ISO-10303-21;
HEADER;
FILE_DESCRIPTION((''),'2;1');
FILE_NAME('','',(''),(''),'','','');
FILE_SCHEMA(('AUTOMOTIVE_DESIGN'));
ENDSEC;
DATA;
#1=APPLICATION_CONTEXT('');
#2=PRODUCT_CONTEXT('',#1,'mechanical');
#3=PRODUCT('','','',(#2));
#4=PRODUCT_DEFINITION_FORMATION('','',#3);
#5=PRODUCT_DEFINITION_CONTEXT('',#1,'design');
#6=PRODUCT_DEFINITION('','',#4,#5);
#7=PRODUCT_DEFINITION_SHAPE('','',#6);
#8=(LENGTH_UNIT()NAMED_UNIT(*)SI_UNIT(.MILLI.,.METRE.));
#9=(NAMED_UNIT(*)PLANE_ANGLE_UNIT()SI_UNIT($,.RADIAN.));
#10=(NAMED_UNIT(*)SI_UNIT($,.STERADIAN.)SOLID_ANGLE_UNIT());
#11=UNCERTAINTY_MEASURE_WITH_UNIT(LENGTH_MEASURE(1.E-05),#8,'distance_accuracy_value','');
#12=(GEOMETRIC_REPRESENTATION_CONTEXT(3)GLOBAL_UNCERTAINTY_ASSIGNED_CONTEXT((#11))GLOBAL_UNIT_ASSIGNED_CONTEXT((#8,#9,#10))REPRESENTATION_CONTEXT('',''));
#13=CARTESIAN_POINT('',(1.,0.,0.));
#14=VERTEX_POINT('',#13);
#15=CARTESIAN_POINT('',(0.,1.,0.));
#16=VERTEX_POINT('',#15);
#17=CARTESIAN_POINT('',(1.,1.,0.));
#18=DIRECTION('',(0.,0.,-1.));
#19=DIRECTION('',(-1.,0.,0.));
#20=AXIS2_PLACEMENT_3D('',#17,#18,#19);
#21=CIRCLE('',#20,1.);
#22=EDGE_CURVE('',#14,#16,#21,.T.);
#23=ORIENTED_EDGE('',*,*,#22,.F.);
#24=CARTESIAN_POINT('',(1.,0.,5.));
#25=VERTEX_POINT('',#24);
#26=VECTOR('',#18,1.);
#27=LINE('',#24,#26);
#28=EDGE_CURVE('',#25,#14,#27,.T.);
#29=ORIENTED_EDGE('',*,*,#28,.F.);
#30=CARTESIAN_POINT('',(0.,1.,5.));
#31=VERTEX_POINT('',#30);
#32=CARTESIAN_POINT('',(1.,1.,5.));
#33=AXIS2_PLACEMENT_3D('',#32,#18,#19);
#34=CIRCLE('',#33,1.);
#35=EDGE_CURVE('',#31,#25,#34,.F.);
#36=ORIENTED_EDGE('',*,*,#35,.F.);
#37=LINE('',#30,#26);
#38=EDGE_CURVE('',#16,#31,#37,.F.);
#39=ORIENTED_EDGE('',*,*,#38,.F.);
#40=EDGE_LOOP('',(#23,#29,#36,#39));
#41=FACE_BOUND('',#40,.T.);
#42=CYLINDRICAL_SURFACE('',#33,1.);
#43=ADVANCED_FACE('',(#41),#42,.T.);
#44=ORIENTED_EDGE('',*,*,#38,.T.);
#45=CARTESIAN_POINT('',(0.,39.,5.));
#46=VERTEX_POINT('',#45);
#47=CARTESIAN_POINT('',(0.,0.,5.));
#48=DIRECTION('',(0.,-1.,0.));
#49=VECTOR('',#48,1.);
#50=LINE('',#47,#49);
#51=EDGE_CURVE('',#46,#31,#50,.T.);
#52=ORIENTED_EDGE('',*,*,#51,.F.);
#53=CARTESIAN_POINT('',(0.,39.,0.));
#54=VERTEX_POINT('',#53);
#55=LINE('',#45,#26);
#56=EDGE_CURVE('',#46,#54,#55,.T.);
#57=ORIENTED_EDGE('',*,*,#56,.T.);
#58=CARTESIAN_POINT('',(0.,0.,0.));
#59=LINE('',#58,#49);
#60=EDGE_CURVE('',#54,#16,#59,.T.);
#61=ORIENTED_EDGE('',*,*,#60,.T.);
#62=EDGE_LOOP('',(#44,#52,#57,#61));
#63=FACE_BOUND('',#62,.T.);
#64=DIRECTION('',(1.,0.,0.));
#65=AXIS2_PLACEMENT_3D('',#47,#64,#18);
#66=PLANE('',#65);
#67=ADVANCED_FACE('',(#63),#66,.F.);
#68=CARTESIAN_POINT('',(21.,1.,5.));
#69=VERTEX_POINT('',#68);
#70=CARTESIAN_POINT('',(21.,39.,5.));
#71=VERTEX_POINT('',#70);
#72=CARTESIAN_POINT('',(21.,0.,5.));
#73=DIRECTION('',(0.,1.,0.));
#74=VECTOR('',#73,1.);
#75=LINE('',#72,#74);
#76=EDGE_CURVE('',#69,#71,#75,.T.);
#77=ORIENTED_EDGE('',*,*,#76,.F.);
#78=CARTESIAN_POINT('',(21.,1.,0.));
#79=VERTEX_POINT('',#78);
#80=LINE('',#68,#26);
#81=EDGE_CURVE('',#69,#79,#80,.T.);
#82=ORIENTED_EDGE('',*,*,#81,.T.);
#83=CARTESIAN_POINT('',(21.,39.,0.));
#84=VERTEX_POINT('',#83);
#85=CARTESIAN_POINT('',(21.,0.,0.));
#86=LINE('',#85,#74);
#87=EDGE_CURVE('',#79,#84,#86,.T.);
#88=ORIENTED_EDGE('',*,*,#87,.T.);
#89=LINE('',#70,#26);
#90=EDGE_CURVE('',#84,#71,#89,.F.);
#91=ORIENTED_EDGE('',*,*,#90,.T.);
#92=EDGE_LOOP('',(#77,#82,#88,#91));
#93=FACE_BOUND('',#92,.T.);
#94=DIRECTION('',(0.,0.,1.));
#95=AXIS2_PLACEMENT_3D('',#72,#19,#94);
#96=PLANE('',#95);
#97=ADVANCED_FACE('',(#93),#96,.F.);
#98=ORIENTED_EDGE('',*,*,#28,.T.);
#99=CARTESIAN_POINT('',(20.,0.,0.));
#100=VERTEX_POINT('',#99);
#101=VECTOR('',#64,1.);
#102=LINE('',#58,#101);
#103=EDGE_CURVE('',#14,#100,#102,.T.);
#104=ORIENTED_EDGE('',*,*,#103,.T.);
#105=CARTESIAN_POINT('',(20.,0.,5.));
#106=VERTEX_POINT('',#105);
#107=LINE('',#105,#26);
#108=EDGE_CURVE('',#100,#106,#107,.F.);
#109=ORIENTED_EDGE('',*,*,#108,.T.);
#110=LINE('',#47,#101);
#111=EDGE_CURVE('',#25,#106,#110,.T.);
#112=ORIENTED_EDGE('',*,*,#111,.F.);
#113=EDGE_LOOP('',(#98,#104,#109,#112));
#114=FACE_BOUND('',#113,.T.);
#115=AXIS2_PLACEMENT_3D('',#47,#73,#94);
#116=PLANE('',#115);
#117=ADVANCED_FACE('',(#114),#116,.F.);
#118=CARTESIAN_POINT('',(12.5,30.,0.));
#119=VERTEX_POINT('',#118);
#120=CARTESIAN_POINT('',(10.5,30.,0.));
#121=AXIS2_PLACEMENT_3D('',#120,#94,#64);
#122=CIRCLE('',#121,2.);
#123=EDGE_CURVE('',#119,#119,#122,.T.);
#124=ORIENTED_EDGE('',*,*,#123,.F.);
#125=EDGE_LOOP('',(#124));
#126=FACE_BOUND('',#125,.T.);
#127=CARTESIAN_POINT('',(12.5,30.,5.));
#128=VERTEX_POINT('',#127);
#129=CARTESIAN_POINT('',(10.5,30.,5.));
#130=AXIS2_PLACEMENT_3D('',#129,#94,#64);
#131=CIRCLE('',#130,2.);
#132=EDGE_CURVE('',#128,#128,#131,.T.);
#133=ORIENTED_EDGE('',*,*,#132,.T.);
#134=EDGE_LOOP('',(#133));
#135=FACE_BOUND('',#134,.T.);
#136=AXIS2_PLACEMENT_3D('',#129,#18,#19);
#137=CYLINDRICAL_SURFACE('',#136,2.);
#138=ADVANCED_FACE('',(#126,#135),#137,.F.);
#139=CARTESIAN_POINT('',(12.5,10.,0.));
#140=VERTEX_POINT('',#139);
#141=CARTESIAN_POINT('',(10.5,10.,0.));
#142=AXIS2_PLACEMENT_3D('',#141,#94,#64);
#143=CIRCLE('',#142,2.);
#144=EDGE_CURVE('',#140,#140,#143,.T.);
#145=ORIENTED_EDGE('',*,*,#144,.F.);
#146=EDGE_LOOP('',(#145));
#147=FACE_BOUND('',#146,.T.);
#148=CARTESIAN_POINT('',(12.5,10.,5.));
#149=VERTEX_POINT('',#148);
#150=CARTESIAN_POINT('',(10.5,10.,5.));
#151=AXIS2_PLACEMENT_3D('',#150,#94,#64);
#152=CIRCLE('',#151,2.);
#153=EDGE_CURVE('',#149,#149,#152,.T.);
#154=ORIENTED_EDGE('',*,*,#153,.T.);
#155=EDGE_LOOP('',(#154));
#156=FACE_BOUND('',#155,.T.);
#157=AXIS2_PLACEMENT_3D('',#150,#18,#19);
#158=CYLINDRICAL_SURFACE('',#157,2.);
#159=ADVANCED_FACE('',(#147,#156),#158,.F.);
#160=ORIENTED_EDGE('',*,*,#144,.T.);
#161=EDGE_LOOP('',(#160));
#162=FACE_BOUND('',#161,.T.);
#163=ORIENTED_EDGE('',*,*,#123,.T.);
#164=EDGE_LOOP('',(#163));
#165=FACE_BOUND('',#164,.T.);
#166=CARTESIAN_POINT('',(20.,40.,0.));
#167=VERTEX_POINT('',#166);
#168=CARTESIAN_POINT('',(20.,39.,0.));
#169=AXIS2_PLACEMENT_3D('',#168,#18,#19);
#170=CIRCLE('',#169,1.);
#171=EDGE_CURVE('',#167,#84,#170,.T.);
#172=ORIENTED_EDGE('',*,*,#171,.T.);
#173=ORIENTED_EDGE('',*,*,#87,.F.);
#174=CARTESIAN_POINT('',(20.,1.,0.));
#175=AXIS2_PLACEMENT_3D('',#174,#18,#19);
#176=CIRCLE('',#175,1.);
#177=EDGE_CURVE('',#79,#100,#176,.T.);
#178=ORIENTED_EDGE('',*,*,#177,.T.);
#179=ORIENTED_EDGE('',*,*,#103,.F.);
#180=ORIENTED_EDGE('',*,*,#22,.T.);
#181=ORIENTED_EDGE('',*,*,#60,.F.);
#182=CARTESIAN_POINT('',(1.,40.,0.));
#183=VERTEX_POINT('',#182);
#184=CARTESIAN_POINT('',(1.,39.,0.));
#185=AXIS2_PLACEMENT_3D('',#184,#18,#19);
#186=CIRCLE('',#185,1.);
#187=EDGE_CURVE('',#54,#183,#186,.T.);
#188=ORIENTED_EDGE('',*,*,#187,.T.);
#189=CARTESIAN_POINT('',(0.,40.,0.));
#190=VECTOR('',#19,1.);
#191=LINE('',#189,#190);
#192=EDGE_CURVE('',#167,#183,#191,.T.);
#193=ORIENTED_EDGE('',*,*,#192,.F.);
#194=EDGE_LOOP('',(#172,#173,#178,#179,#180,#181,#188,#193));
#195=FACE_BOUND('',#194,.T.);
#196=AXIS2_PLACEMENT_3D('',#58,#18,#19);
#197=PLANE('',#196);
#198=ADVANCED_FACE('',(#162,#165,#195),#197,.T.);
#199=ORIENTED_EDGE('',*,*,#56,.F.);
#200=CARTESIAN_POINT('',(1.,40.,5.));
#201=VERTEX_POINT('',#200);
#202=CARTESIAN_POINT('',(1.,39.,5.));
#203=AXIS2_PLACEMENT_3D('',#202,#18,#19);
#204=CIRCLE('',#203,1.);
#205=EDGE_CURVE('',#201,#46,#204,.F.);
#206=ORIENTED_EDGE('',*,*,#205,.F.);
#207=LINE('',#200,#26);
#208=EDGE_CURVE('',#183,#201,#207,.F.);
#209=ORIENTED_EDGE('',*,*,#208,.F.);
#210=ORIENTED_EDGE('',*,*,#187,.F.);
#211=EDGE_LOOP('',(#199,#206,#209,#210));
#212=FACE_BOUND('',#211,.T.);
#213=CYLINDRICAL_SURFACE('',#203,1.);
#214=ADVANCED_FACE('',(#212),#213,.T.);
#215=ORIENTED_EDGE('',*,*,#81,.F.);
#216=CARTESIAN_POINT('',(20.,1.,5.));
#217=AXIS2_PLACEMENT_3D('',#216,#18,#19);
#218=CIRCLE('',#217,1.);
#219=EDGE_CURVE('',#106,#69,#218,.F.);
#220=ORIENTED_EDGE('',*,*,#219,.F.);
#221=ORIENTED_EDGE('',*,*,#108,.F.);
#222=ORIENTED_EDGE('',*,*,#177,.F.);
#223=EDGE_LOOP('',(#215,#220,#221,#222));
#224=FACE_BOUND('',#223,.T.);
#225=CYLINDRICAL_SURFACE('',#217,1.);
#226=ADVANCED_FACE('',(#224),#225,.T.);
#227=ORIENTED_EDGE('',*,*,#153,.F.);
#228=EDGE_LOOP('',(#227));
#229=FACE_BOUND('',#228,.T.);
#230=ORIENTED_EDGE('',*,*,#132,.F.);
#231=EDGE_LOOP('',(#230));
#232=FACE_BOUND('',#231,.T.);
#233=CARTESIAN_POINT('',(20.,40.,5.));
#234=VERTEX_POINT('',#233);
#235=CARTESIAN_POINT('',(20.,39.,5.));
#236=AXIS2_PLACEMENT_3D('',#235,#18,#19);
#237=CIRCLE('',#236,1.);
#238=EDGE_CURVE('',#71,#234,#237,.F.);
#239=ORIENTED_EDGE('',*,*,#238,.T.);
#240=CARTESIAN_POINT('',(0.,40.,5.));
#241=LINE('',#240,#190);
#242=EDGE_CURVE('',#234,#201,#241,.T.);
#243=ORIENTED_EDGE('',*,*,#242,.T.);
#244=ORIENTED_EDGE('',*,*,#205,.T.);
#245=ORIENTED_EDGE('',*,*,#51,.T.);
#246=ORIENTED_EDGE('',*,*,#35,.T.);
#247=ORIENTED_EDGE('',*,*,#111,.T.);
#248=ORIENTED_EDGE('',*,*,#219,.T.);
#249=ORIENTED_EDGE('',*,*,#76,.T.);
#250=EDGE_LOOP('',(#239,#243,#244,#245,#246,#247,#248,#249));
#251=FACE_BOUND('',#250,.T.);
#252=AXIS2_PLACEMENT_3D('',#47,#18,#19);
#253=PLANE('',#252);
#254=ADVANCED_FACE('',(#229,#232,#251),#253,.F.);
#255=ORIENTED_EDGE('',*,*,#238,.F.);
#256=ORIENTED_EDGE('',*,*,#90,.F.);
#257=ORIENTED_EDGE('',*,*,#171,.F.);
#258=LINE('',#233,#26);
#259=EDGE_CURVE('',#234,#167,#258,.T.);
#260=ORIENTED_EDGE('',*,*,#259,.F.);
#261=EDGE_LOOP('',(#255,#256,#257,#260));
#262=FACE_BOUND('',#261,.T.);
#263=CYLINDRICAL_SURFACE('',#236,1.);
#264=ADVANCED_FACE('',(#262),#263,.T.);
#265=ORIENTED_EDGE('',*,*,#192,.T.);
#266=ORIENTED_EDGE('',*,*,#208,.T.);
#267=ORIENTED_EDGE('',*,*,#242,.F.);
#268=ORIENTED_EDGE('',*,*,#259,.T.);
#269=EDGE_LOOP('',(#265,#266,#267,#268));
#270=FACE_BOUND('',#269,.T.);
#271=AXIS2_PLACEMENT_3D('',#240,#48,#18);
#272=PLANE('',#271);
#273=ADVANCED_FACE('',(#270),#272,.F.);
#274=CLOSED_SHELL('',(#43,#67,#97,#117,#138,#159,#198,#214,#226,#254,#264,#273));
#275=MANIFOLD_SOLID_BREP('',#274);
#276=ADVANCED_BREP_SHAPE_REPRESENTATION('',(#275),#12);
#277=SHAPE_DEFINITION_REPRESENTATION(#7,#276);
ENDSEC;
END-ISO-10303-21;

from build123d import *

# Parameters (mm, degrees)
SKETCH1_W           = 21
SKETCH1_H           = 40
SKETCH1_R           = 2
BOSS_EXTRUDE1_DEPTH = 5
FILLET1_R           = 1


with BuildPart() as part:
    # Sketch1 → Boss-Extrude1 (new body)
    with BuildSketch(Plane.XY):
        with Locations((10.5, 20)):
            Rectangle(SKETCH1_W, SKETCH1_H)
        with Locations((10.5, 10)):
            Circle(SKETCH1_R, mode=Mode.SUBTRACT)
        with Locations((10.5, 30)):
            Circle(SKETCH1_R, mode=Mode.SUBTRACT)
    extrude(amount=BOSS_EXTRUDE1_DEPTH)

    # Fillet1
    fillet1_edges = [part.edges().sort_by_distance(p)[0] for p in [
        (0, 40, 2.5),
        (21, 40, 2.5),
        (21, 0, 2.5),
        (0, 0, 2.5),
    ]]
    fillet(fillet1_edges, radius=FILLET1_R)


solid = part.part
